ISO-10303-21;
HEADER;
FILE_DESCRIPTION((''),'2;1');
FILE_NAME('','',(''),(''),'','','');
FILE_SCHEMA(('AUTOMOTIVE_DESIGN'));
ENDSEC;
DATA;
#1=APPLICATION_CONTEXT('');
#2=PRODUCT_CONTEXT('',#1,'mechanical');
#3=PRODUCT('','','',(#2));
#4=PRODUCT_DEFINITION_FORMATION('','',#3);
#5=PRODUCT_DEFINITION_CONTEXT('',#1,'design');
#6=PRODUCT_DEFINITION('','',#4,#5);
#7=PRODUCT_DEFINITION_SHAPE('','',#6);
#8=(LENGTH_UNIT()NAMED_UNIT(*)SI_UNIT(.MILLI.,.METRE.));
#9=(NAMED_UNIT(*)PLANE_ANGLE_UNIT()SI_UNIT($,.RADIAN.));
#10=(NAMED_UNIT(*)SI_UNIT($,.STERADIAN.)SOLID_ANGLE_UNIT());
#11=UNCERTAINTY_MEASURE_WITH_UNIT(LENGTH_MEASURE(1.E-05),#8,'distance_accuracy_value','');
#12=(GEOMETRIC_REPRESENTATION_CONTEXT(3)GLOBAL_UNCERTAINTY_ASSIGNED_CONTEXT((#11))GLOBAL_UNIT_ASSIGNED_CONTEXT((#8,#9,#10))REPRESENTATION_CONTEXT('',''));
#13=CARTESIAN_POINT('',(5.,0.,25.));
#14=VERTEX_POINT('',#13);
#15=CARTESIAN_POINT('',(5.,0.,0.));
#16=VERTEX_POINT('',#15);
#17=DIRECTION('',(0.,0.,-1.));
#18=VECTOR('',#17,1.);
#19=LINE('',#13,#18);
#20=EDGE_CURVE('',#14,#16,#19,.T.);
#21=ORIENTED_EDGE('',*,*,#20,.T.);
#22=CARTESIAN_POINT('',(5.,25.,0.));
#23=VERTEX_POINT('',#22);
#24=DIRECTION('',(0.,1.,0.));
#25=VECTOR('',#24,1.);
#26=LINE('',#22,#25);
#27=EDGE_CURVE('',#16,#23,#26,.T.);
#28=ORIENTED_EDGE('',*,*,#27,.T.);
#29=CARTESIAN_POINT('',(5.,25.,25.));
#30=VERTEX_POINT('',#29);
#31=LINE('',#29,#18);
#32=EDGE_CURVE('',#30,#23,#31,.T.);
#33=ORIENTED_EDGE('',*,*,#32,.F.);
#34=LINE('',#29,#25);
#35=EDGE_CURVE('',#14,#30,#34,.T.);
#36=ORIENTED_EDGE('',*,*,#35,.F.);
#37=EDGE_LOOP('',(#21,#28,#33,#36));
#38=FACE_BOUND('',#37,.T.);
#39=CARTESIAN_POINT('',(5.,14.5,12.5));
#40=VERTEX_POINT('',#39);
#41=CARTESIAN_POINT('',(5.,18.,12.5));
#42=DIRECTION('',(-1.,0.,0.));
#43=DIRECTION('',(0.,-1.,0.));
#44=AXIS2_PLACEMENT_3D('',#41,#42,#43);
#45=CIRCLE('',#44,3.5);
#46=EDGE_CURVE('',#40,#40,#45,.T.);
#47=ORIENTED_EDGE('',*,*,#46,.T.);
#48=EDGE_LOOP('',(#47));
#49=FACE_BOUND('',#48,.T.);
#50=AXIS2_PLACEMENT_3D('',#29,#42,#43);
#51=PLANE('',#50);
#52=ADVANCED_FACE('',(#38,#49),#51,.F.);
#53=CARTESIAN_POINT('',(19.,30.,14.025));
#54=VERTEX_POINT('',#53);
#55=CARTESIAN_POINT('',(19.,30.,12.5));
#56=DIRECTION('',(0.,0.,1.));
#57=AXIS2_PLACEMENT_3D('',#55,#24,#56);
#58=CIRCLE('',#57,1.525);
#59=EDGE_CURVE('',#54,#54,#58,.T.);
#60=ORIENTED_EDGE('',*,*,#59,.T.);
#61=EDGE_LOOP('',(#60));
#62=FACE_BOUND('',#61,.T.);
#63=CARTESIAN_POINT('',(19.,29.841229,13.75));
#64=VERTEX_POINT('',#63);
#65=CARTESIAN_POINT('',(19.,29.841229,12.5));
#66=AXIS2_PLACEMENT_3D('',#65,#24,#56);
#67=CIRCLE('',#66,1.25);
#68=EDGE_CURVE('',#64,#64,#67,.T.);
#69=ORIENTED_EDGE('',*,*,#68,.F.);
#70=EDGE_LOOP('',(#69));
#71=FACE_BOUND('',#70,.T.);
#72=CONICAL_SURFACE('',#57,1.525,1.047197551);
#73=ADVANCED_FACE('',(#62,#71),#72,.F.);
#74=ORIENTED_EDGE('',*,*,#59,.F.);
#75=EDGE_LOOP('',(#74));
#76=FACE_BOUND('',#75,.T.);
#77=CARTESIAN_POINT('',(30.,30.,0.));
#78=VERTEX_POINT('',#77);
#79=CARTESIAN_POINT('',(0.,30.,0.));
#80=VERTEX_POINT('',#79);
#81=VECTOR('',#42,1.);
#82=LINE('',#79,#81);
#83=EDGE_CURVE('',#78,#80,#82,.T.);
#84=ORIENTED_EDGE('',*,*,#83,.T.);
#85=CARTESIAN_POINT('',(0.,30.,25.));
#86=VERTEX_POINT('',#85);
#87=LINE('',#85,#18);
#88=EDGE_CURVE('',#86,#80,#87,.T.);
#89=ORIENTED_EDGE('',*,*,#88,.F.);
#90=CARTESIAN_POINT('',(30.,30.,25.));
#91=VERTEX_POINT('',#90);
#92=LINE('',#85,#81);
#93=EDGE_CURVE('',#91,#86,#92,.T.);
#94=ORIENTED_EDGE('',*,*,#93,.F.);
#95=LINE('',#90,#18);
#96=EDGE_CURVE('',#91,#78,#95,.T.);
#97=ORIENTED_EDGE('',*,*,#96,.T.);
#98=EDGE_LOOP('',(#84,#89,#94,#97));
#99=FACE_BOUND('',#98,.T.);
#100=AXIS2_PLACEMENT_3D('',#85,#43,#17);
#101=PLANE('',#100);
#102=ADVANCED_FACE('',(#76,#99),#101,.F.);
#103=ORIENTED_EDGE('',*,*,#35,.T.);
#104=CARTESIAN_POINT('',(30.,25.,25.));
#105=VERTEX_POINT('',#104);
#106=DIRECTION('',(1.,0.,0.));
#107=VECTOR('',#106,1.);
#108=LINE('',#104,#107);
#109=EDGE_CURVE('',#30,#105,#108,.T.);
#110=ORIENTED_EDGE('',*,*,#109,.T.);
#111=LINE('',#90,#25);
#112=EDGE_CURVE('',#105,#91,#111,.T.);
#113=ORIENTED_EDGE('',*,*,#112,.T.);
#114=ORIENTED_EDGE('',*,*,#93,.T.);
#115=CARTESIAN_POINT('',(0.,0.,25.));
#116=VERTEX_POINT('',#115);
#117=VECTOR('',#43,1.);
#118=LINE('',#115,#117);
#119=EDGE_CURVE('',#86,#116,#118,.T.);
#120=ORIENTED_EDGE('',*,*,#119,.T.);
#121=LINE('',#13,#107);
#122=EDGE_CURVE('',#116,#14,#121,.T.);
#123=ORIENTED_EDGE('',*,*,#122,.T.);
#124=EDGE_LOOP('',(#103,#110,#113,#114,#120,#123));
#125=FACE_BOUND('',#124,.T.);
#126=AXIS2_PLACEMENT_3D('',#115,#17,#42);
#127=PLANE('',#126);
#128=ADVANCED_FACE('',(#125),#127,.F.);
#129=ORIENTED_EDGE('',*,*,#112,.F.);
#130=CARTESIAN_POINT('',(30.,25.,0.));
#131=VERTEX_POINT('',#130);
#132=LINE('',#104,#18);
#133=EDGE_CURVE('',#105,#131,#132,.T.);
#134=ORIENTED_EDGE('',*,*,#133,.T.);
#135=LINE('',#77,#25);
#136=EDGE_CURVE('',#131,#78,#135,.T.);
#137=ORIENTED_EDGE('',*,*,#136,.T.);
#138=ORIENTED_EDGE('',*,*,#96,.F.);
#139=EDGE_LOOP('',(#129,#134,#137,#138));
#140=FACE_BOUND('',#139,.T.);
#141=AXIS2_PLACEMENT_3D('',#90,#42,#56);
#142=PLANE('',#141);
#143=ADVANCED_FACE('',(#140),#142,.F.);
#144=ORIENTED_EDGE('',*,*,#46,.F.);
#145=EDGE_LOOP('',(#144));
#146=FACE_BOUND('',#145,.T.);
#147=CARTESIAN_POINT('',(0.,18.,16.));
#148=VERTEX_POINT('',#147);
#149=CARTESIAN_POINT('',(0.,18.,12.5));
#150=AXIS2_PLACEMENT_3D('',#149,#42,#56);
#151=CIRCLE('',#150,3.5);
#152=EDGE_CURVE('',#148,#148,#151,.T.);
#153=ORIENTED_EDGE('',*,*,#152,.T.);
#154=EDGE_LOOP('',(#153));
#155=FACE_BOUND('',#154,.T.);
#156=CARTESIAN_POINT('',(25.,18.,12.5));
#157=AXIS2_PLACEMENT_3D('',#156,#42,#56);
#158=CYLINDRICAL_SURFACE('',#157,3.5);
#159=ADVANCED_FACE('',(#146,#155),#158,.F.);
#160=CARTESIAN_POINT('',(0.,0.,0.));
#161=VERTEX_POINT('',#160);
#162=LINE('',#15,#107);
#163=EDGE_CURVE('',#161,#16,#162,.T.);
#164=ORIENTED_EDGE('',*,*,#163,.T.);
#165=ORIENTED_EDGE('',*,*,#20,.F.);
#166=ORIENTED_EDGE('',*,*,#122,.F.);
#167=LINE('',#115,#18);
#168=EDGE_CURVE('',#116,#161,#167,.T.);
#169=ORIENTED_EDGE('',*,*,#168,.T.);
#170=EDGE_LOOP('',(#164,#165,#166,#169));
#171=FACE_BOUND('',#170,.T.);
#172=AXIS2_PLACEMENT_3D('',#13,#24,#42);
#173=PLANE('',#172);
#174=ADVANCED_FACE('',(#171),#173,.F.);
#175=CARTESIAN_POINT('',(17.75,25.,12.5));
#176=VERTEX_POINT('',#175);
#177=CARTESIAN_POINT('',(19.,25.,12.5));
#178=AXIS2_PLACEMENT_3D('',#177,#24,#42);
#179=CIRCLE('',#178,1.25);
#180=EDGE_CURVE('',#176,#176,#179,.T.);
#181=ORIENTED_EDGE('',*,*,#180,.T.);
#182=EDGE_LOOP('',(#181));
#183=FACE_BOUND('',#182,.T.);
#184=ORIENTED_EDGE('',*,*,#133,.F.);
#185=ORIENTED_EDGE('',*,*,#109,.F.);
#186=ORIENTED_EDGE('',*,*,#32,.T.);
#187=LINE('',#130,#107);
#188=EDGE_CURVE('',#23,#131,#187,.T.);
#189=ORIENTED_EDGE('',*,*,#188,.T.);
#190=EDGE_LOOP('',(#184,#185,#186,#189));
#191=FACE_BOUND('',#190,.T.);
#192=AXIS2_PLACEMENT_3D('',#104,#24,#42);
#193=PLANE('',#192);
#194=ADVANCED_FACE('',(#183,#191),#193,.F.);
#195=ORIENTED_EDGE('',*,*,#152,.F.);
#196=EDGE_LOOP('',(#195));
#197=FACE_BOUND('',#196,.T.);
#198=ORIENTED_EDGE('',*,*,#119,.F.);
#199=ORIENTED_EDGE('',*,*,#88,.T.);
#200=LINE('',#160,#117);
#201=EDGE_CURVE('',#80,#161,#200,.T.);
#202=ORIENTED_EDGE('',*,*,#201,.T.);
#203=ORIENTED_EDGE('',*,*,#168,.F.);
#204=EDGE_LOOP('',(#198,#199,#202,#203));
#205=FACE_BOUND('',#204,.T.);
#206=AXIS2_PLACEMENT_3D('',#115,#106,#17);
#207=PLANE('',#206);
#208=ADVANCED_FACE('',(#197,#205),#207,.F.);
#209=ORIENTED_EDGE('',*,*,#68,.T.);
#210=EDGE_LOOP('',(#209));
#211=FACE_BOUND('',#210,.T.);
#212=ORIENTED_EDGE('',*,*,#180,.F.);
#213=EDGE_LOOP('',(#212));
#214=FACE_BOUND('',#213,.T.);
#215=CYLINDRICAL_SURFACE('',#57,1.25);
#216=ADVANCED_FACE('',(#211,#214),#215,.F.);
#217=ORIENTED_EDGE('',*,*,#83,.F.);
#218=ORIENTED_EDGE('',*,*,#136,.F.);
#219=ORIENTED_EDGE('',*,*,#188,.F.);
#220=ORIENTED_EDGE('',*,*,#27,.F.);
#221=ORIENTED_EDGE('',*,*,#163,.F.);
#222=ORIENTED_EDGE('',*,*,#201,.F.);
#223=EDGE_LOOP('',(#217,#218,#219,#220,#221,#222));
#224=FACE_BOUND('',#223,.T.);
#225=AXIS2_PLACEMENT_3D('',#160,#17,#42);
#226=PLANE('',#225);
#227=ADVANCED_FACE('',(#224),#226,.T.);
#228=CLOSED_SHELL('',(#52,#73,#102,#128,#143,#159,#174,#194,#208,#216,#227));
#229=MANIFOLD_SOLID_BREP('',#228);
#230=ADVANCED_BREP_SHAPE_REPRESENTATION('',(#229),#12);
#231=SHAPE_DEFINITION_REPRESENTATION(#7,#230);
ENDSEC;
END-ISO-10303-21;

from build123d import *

# Parameters (mm, degrees)
ESTRUSIONE_ESTRUSIONE1_DEPTH    = 25
SCHIZZO2_R                      = 3.5
TAGLIO_ESTRUSIONE1_DEPTH        = 25
FORO_FILETTATO_M3_1_D           = 2.5
FORO_FILETTATO_M3_1_DEPTH       = 8.5
FORO_FILETTATO_M3_1_CSINK_D     = 3.05
FORO_FILETTATO_M3_1_CSINK_ANGLE = 120
FORO_FILETTATO_M3_1_TIP         = 0.751075774


with BuildPart() as part:
    # Schizzo1 → Estrusione-Estrusione1 (new body)
    with BuildSketch(Plane.XY):
        Polygon((0, 0), (0, 30), (30, 30), (30, 25), (5, 25), (5, 0), align=None)
    extrude(amount=ESTRUSIONE_ESTRUSIONE1_DEPTH)

    # Schizzo2 → Taglio-Estrusione1 (cut)
    with BuildSketch(Plane.ZY):
        with Locations((12.5, 18)):
            Circle(SCHIZZO2_R)
    extrude(amount=-TAGLIO_ESTRUSIONE1_DEPTH, mode=Mode.SUBTRACT)

    # Foro filettato M3-1
    with Locations(Plane(origin=(0, 30, 0), x_dir=(1, 0, 0), z_dir=(0, 1, 0))):
        with Locations((19, -12.5)):
            CounterSinkHole(FORO_FILETTATO_M3_1_D / 2, FORO_FILETTATO_M3_1_CSINK_D / 2, depth=FORO_FILETTATO_M3_1_DEPTH, counter_sink_angle=FORO_FILETTATO_M3_1_CSINK_ANGLE)
            with Locations((0, 0, -(FORO_FILETTATO_M3_1_DEPTH + FORO_FILETTATO_M3_1_TIP / 2))):  # 118° drill point
                Cone(0, FORO_FILETTATO_M3_1_D / 2, FORO_FILETTATO_M3_1_TIP, mode=Mode.SUBTRACT)


solid = part.part
